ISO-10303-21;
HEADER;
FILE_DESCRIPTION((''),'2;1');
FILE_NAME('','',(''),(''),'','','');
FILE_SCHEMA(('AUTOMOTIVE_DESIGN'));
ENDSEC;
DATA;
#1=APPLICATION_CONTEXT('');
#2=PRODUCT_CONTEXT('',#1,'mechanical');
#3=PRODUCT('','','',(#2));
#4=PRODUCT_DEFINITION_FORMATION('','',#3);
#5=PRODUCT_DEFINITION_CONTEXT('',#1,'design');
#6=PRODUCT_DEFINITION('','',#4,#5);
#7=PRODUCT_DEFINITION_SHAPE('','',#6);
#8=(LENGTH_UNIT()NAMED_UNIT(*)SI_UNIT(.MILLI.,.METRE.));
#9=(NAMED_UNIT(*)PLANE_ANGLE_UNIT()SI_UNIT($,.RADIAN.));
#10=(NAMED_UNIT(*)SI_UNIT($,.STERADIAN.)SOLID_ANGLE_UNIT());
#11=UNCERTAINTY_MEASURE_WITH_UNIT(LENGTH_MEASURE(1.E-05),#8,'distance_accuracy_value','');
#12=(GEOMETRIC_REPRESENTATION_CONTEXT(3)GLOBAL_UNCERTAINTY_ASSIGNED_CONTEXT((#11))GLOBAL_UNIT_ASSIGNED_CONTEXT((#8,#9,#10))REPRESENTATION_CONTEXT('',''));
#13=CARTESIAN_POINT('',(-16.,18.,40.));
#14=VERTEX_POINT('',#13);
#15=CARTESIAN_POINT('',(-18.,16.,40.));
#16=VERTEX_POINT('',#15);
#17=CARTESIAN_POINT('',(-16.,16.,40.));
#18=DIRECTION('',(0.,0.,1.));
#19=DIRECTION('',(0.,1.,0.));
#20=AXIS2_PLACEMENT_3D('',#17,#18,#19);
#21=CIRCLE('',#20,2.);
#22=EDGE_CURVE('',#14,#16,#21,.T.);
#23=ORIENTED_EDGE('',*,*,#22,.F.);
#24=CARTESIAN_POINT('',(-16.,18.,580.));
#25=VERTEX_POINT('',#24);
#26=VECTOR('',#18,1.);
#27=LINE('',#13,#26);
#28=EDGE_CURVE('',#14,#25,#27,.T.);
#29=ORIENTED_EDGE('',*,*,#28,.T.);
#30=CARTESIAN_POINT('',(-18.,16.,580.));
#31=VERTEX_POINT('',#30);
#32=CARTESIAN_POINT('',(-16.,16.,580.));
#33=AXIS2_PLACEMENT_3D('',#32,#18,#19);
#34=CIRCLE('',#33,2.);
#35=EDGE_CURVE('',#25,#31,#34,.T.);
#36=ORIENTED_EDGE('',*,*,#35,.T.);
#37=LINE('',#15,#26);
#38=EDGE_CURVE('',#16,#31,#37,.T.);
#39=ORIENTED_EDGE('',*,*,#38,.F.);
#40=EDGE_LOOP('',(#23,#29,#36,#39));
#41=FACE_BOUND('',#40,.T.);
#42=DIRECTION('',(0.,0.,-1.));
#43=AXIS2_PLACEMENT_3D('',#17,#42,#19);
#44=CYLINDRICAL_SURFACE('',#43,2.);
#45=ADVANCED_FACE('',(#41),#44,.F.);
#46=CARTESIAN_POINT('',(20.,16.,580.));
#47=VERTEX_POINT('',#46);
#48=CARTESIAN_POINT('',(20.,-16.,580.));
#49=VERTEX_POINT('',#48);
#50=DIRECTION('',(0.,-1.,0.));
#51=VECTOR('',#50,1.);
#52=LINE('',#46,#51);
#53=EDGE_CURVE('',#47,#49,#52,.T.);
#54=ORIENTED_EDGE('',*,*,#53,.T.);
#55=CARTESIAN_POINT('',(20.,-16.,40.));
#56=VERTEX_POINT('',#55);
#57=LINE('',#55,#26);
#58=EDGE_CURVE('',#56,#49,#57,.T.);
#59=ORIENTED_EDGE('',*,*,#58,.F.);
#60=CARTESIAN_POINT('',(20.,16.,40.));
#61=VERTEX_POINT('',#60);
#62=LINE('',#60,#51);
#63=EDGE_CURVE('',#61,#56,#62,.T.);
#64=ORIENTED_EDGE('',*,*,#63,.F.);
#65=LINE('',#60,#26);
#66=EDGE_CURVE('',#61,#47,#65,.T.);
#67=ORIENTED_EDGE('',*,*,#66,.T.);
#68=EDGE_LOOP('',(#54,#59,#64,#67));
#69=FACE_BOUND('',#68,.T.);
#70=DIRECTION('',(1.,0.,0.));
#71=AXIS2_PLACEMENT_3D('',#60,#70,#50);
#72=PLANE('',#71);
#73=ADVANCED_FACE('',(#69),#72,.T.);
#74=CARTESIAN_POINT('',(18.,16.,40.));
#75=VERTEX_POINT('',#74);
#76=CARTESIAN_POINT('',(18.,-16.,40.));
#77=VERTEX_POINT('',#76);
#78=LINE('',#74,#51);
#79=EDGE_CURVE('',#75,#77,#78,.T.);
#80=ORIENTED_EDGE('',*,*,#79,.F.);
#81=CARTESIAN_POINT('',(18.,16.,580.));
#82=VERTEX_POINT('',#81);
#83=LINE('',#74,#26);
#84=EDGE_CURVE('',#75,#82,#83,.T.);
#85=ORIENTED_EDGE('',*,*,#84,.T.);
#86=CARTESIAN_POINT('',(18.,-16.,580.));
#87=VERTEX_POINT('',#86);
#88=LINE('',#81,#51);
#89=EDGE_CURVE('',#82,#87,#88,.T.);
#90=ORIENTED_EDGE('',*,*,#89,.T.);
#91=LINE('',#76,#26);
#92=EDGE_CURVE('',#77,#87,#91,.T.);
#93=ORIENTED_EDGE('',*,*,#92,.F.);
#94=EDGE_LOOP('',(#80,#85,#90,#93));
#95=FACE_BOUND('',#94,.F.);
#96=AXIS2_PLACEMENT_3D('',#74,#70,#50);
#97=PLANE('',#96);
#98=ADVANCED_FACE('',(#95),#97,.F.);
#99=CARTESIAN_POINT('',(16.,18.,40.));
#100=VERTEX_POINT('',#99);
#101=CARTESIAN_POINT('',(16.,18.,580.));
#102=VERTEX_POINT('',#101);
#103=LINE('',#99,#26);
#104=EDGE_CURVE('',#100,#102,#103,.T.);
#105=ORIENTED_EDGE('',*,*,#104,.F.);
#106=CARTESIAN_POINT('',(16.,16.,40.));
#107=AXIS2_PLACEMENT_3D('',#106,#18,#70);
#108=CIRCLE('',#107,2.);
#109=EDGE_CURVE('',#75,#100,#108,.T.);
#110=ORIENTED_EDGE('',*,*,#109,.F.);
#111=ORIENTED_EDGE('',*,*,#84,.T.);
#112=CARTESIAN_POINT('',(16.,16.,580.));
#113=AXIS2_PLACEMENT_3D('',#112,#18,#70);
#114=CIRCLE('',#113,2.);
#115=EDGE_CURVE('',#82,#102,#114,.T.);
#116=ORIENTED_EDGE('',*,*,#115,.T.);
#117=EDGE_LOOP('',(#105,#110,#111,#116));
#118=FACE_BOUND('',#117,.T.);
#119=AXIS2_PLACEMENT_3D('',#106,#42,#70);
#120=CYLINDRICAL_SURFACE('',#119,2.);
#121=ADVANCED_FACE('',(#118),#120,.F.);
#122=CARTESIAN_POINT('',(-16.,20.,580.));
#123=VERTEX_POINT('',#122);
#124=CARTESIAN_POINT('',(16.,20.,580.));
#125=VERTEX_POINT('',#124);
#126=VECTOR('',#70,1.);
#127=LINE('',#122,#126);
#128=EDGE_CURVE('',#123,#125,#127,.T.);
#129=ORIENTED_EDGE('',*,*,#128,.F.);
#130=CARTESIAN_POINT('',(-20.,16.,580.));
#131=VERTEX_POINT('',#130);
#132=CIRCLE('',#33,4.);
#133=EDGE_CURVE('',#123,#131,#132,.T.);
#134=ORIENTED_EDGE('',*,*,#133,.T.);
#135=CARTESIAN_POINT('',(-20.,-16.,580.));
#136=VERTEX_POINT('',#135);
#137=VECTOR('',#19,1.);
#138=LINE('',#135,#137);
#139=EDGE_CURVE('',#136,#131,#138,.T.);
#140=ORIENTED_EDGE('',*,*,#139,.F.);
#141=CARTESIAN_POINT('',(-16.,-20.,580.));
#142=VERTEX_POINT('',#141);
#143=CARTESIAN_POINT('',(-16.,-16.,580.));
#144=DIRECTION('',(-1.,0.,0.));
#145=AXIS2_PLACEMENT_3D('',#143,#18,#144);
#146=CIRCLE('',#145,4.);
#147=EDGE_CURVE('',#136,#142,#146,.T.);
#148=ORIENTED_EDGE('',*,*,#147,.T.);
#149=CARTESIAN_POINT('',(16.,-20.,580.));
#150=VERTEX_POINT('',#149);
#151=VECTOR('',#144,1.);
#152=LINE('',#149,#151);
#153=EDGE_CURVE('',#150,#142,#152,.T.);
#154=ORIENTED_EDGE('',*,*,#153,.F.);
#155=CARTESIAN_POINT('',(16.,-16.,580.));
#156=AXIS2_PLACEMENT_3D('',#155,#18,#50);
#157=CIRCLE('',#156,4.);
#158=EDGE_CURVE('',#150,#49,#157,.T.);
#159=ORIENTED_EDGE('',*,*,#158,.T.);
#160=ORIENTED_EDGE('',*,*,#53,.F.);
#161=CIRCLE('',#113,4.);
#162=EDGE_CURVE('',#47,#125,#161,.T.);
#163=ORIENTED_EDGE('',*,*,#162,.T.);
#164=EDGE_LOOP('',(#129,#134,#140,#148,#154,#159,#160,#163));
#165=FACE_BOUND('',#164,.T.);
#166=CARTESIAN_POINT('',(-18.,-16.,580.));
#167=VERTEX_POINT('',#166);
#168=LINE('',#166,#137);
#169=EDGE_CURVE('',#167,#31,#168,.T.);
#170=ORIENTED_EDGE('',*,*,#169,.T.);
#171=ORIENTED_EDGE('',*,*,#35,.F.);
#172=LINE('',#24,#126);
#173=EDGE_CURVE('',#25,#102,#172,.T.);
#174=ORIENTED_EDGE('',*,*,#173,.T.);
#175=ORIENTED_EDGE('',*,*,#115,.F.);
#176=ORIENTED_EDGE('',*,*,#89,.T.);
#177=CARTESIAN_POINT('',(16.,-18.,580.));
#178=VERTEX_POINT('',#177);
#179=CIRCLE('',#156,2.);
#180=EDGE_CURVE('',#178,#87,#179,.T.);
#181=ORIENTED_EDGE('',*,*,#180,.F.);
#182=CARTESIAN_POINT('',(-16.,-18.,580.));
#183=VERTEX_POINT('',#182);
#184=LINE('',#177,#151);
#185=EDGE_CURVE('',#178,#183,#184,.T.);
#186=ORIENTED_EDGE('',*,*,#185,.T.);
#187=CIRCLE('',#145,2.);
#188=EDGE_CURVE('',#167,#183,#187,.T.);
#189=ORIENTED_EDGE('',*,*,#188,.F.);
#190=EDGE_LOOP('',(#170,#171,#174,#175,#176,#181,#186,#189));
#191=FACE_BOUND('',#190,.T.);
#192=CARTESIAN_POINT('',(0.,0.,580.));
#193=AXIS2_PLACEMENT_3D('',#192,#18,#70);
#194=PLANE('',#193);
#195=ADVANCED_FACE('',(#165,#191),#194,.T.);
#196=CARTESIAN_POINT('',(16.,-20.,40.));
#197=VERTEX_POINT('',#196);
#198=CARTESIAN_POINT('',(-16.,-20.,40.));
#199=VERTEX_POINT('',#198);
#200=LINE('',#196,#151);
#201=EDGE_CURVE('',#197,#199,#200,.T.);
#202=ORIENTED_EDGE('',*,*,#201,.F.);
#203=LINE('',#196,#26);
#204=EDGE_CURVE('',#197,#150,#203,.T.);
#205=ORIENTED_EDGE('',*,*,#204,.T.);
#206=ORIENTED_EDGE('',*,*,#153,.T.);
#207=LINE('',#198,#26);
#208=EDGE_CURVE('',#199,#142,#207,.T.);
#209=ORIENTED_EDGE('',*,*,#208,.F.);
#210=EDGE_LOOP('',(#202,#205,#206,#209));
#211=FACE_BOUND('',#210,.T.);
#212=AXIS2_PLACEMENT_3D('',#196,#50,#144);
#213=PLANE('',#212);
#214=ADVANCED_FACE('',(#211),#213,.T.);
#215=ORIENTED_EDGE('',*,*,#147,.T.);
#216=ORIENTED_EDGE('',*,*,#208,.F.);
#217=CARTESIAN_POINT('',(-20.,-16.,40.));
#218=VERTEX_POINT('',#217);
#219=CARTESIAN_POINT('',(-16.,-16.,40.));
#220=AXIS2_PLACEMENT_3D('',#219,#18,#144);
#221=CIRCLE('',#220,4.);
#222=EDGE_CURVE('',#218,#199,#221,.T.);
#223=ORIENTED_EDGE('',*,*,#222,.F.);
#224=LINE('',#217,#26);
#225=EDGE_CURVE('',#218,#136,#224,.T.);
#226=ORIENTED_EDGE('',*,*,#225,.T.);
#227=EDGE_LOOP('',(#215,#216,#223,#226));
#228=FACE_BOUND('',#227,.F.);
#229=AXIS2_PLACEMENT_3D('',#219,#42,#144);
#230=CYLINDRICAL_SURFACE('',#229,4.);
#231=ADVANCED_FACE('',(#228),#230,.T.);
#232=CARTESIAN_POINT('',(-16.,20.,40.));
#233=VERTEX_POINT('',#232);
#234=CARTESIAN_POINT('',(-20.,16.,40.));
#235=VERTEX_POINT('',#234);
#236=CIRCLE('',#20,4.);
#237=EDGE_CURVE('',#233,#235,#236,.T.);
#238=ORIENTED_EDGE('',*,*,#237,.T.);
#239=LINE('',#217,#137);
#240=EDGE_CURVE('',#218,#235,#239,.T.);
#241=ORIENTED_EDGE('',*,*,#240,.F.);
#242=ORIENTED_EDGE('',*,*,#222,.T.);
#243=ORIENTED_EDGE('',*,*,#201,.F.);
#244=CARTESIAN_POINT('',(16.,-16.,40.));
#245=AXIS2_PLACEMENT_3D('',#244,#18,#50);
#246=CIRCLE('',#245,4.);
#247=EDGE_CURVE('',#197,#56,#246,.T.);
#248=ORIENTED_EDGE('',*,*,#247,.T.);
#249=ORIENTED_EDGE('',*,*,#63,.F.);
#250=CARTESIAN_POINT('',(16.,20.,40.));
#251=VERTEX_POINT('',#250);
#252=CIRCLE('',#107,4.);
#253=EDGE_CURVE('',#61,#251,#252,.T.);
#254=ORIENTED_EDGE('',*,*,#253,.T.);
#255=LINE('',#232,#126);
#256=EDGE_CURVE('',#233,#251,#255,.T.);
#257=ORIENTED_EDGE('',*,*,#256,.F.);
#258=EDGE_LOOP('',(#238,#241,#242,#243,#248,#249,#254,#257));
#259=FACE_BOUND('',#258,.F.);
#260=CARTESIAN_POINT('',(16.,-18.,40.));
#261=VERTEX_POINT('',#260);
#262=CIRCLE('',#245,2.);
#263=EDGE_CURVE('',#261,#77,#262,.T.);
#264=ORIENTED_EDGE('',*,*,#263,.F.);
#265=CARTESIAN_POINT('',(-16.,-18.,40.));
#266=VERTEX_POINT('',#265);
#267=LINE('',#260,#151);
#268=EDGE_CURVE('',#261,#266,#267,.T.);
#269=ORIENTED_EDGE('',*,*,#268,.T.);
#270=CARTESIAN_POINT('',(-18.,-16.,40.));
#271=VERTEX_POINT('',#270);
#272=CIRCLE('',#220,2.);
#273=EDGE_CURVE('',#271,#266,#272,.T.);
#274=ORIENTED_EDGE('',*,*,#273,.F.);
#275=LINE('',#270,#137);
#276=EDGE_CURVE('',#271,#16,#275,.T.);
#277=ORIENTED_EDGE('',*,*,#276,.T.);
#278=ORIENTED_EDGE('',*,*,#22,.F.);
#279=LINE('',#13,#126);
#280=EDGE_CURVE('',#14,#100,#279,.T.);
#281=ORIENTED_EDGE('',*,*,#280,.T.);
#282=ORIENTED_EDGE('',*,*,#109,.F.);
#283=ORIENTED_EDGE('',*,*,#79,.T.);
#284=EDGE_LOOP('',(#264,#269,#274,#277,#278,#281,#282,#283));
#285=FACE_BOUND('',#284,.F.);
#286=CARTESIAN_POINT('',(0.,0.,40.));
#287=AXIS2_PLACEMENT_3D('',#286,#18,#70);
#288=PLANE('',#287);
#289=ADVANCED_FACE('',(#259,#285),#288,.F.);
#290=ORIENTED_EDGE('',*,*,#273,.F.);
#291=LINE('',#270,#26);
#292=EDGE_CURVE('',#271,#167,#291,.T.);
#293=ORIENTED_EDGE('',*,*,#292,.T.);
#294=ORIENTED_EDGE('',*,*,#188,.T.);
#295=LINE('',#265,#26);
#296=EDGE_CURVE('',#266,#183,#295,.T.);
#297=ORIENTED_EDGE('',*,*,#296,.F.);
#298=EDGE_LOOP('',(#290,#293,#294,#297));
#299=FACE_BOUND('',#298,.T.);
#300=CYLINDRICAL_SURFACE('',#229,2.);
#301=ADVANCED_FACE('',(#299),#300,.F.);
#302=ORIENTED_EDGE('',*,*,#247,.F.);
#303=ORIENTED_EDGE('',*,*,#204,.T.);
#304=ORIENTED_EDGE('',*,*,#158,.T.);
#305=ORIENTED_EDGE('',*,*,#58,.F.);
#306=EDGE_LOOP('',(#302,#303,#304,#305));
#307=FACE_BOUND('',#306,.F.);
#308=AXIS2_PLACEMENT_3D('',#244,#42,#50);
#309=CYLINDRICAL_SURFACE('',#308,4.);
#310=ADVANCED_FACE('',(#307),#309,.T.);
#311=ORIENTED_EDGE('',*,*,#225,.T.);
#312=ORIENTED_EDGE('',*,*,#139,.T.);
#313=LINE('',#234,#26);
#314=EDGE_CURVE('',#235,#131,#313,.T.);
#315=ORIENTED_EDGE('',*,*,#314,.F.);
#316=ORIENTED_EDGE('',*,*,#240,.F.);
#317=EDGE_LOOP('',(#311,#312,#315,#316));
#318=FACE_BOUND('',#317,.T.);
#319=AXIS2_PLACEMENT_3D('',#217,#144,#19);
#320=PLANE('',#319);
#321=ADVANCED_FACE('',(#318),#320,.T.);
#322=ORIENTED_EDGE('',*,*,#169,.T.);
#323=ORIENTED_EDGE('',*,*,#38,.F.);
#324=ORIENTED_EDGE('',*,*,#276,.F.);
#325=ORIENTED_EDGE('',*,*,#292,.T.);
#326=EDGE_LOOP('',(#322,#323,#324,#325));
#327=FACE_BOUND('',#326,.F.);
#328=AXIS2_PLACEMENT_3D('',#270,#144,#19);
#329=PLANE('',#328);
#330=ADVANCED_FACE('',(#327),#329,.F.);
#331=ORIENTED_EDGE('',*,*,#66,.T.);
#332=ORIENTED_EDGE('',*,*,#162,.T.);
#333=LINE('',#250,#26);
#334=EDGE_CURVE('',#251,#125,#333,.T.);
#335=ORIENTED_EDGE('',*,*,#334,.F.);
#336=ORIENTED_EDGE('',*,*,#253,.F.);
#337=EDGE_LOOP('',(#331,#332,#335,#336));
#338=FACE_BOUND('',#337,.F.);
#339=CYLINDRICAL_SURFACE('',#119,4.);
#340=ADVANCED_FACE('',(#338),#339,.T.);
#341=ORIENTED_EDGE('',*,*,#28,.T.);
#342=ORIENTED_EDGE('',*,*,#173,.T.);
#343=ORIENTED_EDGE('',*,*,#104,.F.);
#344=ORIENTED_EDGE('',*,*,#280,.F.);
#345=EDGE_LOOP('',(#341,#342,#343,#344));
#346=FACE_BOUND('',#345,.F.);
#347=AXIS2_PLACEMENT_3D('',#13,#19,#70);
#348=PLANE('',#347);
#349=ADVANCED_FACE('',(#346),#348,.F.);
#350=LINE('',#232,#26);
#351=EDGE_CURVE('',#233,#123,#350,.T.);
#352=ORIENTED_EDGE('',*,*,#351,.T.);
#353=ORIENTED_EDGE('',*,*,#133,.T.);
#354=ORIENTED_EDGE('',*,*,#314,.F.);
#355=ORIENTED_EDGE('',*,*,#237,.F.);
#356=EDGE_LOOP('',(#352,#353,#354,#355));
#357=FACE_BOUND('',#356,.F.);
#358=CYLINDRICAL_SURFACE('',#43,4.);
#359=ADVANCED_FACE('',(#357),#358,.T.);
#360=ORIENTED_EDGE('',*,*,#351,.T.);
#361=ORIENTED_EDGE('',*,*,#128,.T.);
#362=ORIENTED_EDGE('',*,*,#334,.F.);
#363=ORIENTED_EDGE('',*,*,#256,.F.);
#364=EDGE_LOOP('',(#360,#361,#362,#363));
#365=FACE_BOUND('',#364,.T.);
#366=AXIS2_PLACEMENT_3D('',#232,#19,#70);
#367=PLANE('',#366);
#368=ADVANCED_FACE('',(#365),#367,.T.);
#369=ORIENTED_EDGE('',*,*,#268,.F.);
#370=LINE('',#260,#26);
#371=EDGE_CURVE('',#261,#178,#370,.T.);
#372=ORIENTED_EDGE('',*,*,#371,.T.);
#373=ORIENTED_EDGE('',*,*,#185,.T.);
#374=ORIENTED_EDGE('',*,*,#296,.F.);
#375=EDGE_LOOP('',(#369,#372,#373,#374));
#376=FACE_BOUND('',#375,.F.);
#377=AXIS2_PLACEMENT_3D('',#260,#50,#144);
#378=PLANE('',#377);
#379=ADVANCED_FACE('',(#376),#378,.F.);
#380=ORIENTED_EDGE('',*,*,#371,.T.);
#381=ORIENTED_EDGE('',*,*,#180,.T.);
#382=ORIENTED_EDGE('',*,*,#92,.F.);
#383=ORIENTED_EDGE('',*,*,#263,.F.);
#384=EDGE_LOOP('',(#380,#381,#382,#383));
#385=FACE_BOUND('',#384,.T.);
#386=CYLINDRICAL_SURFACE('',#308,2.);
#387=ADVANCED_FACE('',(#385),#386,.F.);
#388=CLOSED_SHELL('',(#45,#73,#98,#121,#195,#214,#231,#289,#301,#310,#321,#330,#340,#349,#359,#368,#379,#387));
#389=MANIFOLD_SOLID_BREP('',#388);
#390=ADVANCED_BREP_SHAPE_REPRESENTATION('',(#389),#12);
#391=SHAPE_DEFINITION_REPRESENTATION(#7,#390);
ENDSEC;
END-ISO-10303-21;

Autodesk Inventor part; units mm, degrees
ref_plane "YZ Plane" through (0, 0, 0) normal (1, 0, 0) x (0, 1, 0)
ref_plane "Start Plane" through (0, 0, 40) normal (0, 0, 1) x (1, 0, 0)
ref_plane "End Plane" through (0, 0, 580) normal (0, 0, 1) x (1, 0, 0)
sketch "Sketch" plane through (0, 0, 0) normal (0, 0, 1) x (1, 0, 0)
  line L0 (-20, -16) -> (-20, 16)
  line L1 (-16, 20) -> (16, 20)
  line L2 (20, 16) -> (20, -16)
  line L3 (16, -20) -> (-16, -20)
  arc A0 (-20, -16) -> (-16, -20) centre (-16, -16) ccw
  arc A1 (20, 16) -> (16, 20) centre (16, 16) ccw
  arc A2 (-16, 20) -> (-20, 16) centre (-16, 16) ccw
  arc A3 (16, -20) -> (20, -16) centre (16, -16) ccw
  arc A4 (-16, 18) -> (-18, 16) centre (-16, 16) ccw
  line L4 (-16, 18) -> (16, 18)
  arc A5 (18, 16) -> (16, 18) centre (16, 16) ccw
  line L5 (18, 16) -> (18, -16)
  arc A6 (16, -18) -> (18, -16) centre (16, -16) ccw
  line L6 (16, -18) -> (-16, -18)
  arc A7 (-18, -16) -> (-16, -18) centre (-16, -16) ccw
  line L7 (-18, -16) -> (-18, 16)
  line L8 (0, 29.1598) -> (0, -29.1598) construction
  line L9 (-29.1598, 0) -> (29.1598, 0) construction
  dimension "d7" = 4
  dimension "d9" = 40
  dimension "d11" = 40
  dimension "d12" = 2
  dimension "d15" = 20
  dimension "d16" = 20
extrude "Body" add sketch "Sketch" along normal up to surface (540 mm away) from surface at 40
sketch "Sketch3" plane through (0, 0, 0) normal (0, 0, 1) x (1, 0, 0)
  line L0 (0, 0) -> (10, 0)
ref_plane "Work Plane3" through (0, 0, 0) normal (0, -1, 0) x (1, 0, 0)
sketch "Sketch4" plane through (0, 0, 0) normal (0, -1, 0) x (1, 0, 0)
  line L0 (-2, 40) -> (12, 40) projected
  line L1 (-2, 580) -> (12, 580) projected
  dimension "d18" = 540
equation "\"d7\" = G_IR"
equation "\"d9\" = G_W"
equation "\"d11\" = G_H"
equation "\"d12\" = G_T"
equation "\"d15\" = 0.5 * d9"
equation "\"d16\" = 0.5 * d11"
equation "\"d3\" = G_L"
equation "\"G_W\" = 40"
equation "\"G_H\" = 40"
equation "\"G_T\" = 2"
equation "\"G_IR\" = 4"
equation "\"G_L\" = d18"
properties part number "ISO 10799-2 - 40x40x2 - 540" material "Steel, Mild"
